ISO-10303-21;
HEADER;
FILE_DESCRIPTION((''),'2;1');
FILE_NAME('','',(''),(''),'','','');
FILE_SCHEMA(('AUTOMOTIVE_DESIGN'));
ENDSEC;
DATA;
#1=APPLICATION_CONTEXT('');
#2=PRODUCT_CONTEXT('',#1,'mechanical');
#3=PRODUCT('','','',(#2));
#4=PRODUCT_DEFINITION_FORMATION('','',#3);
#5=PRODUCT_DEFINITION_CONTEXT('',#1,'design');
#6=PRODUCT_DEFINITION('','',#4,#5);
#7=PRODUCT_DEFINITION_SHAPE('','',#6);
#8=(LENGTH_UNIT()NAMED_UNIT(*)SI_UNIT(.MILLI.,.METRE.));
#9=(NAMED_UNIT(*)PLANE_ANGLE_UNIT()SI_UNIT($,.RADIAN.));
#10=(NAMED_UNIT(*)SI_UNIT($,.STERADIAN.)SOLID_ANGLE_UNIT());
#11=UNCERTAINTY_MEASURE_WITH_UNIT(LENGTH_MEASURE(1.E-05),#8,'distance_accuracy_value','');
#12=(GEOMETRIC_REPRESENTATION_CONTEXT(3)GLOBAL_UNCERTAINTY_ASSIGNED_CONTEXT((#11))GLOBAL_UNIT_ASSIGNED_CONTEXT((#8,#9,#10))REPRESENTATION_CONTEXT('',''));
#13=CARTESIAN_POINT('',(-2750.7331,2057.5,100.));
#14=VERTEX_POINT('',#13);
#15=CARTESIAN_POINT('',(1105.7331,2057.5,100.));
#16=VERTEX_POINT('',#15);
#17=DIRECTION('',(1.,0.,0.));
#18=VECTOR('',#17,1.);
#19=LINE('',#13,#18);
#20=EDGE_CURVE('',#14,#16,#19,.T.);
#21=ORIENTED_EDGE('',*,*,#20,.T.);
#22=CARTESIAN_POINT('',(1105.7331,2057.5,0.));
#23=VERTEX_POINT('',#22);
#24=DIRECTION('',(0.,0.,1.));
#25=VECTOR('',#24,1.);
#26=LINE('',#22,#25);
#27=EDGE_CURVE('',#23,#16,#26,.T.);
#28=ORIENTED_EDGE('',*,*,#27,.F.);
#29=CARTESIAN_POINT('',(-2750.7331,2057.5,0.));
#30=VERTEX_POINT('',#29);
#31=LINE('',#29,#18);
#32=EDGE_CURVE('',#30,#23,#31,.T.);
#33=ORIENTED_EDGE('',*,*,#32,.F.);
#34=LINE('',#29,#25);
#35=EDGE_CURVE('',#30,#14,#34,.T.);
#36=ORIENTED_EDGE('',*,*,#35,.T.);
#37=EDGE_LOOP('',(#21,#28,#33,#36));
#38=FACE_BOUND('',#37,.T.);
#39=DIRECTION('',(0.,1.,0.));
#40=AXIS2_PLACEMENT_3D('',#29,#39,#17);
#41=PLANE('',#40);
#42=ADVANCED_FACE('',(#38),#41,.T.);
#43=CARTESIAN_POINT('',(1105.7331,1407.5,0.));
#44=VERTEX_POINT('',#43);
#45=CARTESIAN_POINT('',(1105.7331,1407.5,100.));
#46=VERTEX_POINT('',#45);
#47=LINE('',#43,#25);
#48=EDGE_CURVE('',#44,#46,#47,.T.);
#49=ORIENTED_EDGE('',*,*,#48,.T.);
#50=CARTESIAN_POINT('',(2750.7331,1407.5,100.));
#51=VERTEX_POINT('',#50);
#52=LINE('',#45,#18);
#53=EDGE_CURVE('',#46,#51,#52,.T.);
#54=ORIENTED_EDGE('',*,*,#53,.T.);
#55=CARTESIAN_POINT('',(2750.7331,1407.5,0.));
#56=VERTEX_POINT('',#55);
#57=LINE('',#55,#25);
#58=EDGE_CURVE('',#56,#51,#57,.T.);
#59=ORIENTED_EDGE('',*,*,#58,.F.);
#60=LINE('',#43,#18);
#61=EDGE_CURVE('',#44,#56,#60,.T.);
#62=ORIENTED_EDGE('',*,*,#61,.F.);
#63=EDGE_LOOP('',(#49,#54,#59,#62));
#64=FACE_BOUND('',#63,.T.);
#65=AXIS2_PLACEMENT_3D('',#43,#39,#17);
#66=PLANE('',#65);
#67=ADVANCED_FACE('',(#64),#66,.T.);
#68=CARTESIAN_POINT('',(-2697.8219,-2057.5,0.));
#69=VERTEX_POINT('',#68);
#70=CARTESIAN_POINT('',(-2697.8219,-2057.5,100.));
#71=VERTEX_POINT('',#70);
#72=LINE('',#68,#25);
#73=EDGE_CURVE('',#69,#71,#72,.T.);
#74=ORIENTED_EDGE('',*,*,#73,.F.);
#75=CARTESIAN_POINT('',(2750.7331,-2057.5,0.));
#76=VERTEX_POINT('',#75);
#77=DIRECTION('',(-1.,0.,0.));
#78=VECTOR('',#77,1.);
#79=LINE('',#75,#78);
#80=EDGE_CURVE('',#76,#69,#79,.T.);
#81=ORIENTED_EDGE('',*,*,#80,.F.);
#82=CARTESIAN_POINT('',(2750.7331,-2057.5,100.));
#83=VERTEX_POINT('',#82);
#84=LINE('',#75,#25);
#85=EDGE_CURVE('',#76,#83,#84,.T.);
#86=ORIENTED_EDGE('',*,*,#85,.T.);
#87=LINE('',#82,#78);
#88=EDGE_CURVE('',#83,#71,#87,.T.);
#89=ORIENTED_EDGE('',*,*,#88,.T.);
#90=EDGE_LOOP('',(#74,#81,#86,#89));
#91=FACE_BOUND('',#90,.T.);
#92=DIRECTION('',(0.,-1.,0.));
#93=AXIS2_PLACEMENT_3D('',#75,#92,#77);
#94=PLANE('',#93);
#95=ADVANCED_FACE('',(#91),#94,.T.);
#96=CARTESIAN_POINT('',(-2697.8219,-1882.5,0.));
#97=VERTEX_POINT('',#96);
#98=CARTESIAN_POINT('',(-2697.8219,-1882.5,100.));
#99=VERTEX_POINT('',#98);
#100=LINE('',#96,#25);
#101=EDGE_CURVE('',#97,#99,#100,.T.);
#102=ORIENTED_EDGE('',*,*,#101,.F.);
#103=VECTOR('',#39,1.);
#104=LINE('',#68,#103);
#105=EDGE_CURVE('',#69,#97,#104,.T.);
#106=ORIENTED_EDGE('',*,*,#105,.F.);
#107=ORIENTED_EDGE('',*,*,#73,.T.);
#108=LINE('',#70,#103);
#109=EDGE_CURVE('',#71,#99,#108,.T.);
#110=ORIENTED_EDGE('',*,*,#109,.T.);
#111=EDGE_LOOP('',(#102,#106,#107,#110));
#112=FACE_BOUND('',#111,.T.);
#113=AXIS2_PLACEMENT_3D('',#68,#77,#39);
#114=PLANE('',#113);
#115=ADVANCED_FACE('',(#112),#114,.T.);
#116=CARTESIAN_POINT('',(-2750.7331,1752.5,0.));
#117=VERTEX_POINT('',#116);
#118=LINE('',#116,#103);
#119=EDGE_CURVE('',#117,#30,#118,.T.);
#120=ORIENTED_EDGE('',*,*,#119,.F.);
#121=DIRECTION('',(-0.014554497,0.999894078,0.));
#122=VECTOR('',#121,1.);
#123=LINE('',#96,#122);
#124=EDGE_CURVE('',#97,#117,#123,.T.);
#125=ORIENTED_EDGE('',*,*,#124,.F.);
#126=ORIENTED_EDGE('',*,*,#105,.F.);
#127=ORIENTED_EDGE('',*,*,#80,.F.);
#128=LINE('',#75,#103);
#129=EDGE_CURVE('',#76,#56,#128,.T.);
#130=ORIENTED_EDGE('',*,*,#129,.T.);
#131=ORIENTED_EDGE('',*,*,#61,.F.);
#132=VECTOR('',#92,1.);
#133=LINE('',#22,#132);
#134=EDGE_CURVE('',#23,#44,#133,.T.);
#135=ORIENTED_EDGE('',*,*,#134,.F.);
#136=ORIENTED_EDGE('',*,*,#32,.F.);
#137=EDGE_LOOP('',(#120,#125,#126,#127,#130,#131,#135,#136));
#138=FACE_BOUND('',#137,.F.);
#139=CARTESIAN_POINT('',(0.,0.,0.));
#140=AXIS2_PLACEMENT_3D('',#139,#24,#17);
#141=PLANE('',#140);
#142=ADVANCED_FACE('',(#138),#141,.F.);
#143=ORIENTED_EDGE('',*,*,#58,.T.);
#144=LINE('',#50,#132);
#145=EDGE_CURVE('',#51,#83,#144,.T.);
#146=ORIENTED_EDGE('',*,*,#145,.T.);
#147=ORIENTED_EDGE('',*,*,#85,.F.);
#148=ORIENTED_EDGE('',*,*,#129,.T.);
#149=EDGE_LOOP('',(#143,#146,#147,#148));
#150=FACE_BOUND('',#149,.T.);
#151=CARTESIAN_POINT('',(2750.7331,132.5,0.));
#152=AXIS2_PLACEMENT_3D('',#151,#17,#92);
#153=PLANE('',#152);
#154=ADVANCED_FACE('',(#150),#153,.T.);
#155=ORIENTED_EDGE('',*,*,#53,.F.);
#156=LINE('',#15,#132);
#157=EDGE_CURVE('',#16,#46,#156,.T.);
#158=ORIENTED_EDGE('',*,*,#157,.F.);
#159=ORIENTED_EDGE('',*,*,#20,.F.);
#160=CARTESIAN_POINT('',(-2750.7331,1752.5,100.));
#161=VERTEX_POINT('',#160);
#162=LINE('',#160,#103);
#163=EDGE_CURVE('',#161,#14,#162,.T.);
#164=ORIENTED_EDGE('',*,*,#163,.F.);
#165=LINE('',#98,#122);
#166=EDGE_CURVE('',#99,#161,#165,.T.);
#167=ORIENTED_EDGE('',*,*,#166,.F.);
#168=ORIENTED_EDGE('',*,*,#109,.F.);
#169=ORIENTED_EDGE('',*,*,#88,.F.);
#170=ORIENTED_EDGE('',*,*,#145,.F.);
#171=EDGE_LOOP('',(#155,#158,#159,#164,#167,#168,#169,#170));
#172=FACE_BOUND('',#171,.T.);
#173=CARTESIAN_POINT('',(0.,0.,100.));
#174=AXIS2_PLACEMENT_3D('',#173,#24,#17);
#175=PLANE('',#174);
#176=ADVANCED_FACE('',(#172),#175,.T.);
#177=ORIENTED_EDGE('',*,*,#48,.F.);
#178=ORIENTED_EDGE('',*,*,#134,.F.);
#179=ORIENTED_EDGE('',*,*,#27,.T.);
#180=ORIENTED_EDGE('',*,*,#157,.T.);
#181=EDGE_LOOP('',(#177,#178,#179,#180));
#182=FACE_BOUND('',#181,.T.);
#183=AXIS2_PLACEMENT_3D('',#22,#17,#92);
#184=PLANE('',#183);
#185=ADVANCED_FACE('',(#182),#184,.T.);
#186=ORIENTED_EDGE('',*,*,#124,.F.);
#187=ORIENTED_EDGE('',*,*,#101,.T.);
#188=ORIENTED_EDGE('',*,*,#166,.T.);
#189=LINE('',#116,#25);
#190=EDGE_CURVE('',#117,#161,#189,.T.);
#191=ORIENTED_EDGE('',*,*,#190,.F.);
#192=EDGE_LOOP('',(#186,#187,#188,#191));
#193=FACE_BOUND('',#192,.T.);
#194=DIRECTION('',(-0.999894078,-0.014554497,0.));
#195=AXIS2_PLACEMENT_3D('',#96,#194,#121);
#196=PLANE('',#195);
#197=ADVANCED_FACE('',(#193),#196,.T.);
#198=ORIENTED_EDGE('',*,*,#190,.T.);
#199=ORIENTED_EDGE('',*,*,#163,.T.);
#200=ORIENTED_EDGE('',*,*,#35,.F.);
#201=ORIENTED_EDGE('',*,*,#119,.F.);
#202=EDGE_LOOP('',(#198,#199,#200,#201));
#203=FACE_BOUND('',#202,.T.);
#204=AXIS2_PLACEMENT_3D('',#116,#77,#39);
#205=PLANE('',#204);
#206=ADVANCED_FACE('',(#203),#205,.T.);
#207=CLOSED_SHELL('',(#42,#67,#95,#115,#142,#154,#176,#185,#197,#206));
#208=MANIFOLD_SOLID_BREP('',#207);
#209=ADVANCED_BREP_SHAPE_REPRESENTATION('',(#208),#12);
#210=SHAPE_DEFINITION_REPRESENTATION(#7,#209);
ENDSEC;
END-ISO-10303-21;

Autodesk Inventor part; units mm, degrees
ref_plane "YZ Plane" through (0, 0, 0) normal (1, 0, 0) x (0, 1, 0)
ref_plane "XZ Plane" through (0, 0, 0) normal (0, 1, 0) x (-1, 0, 0)
ref_plane "XY Plane" through (0, 0, 0) normal (0, 0, 1) x (1, 0, 0)
ref_plane "Plano de trabajo1" through (0, 0, 0) normal (0, 0, 1) x (1, 0, 0)
sketch "Boceto1" plane through (0, 0, 0) normal (0, 0, 1) x (1, 0, 0)
  line L0 (2750.7331, 132.5) -> (2750.7331, -2057.5) projected
  line L1 (2650.7331, 132.5) -> (2750.7331, 132.5) projected
  line L2 (2650.7331, -1957.5) -> (2650.7331, 132.5) projected
  line L3 (1090.7331, -1957.5) -> (2650.7331, -1957.5) projected
  line L4 (1090.7331, -1762.5) -> (1090.7331, -1957.5) projected
  line L5 (715.7331, -1762.5) -> (1090.7331, -1762.5) projected
  line L6 (715.7331, -1957.5) -> (715.7331, -1762.5) projected
  line L7 (-2414.2669, -1957.5) -> (715.7331, -1957.5) projected
  line L8 (-2414.2669, -1782.5) -> (-2414.2669, -1957.5) projected
  line L9 (-2599.2669, -1782.5) -> (-2414.2669, -1782.5) projected
  line L10 (-2649.2669, 1652.5) -> (-2599.2669, -1782.5) projected
  line L11 (-2469.2669, 1652.5) -> (-2649.2669, 1652.5) projected
  line L12 (-2469.2669, 1957.5) -> (-2469.2669, 1652.5) projected
  line L13 (640.7331, 1957.5) -> (-2469.2669, 1957.5) projected
  line L14 (640.7331, 1667.5) -> (640.7331, 1957.5) projected
  line L15 (1005.7331, 1667.5) -> (640.7331, 1667.5) projected
  line L16 (1005.7331, 1307.5) -> (1005.7331, 1667.5) projected
  line L17 (2650.7331, 1307.5) -> (1005.7331, 1307.5) projected
  line L18 (2650.7331, 1162.5) -> (2650.7331, 1307.5) projected
  line L19 (2750.7331, 1162.5) -> (2650.7331, 1162.5) projected
  line L20 (2750.7331, 1407.5) -> (2750.7331, 1162.5) projected
  line L21 (1105.7331, 1407.5) -> (2750.7331, 1407.5) projected
  line L22 (-2697.8219, -1882.5) -> (-2750.7331, 1752.5) projected
  line L23 (2650.7331, 1162.5) -> (2750.7331, 1162.5) projected
  line L24 (2650.7331, 132.5) -> (2650.7331, 1162.5) projected
  line L25 (2750.7331, 132.5) -> (2650.7331, 132.5) projected
  line L26 (2750.7331, 132.5) -> (2750.7331, 1162.5) projected
  line L27 (2650.7331, 1162.5) -> (2750.7331, 1162.5) projected
  line L28 (2650.7331, 132.5) -> (2650.7331, 1162.5) projected
  line L29 (2750.7331, 132.5) -> (2650.7331, 132.5) projected
  line L30 (2750.7331, 132.5) -> (2750.7331, 1162.5) projected
  line L31 (2750.7331, -2057.5) -> (-2697.8219, -2057.5) projected
  line L32 (1105.7331, 2057.5) -> (1105.7331, 1407.5) projected
  line L33 (-2750.7331, 2057.5) -> (1105.7331, 2057.5) projected
  line L34 (-2750.7331, 1752.5) -> (-2750.7331, 2057.5) projected
  line L35 (-2697.8219, -2057.5) -> (-2697.8219, -1882.5) projected
  point P0 (0, 0)
  point P1 (990.7331, -2057.5)
  point P2 (1105.7331, 1767.5)
  point P3 (740.7331, 2057.5)
  point P4 (-2569.2669, 2057.5)
  point P5 (-2514.2669, -2057.5)
  point P6 (815.7331, -2057.5)
extrude "Extrusión1" add sketch "Boceto1" along normal blind 100
sketch "Boceto2" plane through (0, 0, 0) normal (0, 0, -1) x (-1, 0, 0)
  line L0 (-1930.7331, 1162.5) -> (-2650.7331, 1162.5)
  arc A0 (-2650.7331, 442.5) -> (-1930.7331, 1162.5) centre (-2650.7331, 1162.5) ccw
  arc A1 (-2340.7331, 132.5) -> (-2650.7331, 442.5) centre (-2650.7331, 132.5) ccw
  line L1 (-2650.7331, 132.5) -> (-2340.7331, 132.5)
  point P0 (0, 0)
properties part number "Suelo"
